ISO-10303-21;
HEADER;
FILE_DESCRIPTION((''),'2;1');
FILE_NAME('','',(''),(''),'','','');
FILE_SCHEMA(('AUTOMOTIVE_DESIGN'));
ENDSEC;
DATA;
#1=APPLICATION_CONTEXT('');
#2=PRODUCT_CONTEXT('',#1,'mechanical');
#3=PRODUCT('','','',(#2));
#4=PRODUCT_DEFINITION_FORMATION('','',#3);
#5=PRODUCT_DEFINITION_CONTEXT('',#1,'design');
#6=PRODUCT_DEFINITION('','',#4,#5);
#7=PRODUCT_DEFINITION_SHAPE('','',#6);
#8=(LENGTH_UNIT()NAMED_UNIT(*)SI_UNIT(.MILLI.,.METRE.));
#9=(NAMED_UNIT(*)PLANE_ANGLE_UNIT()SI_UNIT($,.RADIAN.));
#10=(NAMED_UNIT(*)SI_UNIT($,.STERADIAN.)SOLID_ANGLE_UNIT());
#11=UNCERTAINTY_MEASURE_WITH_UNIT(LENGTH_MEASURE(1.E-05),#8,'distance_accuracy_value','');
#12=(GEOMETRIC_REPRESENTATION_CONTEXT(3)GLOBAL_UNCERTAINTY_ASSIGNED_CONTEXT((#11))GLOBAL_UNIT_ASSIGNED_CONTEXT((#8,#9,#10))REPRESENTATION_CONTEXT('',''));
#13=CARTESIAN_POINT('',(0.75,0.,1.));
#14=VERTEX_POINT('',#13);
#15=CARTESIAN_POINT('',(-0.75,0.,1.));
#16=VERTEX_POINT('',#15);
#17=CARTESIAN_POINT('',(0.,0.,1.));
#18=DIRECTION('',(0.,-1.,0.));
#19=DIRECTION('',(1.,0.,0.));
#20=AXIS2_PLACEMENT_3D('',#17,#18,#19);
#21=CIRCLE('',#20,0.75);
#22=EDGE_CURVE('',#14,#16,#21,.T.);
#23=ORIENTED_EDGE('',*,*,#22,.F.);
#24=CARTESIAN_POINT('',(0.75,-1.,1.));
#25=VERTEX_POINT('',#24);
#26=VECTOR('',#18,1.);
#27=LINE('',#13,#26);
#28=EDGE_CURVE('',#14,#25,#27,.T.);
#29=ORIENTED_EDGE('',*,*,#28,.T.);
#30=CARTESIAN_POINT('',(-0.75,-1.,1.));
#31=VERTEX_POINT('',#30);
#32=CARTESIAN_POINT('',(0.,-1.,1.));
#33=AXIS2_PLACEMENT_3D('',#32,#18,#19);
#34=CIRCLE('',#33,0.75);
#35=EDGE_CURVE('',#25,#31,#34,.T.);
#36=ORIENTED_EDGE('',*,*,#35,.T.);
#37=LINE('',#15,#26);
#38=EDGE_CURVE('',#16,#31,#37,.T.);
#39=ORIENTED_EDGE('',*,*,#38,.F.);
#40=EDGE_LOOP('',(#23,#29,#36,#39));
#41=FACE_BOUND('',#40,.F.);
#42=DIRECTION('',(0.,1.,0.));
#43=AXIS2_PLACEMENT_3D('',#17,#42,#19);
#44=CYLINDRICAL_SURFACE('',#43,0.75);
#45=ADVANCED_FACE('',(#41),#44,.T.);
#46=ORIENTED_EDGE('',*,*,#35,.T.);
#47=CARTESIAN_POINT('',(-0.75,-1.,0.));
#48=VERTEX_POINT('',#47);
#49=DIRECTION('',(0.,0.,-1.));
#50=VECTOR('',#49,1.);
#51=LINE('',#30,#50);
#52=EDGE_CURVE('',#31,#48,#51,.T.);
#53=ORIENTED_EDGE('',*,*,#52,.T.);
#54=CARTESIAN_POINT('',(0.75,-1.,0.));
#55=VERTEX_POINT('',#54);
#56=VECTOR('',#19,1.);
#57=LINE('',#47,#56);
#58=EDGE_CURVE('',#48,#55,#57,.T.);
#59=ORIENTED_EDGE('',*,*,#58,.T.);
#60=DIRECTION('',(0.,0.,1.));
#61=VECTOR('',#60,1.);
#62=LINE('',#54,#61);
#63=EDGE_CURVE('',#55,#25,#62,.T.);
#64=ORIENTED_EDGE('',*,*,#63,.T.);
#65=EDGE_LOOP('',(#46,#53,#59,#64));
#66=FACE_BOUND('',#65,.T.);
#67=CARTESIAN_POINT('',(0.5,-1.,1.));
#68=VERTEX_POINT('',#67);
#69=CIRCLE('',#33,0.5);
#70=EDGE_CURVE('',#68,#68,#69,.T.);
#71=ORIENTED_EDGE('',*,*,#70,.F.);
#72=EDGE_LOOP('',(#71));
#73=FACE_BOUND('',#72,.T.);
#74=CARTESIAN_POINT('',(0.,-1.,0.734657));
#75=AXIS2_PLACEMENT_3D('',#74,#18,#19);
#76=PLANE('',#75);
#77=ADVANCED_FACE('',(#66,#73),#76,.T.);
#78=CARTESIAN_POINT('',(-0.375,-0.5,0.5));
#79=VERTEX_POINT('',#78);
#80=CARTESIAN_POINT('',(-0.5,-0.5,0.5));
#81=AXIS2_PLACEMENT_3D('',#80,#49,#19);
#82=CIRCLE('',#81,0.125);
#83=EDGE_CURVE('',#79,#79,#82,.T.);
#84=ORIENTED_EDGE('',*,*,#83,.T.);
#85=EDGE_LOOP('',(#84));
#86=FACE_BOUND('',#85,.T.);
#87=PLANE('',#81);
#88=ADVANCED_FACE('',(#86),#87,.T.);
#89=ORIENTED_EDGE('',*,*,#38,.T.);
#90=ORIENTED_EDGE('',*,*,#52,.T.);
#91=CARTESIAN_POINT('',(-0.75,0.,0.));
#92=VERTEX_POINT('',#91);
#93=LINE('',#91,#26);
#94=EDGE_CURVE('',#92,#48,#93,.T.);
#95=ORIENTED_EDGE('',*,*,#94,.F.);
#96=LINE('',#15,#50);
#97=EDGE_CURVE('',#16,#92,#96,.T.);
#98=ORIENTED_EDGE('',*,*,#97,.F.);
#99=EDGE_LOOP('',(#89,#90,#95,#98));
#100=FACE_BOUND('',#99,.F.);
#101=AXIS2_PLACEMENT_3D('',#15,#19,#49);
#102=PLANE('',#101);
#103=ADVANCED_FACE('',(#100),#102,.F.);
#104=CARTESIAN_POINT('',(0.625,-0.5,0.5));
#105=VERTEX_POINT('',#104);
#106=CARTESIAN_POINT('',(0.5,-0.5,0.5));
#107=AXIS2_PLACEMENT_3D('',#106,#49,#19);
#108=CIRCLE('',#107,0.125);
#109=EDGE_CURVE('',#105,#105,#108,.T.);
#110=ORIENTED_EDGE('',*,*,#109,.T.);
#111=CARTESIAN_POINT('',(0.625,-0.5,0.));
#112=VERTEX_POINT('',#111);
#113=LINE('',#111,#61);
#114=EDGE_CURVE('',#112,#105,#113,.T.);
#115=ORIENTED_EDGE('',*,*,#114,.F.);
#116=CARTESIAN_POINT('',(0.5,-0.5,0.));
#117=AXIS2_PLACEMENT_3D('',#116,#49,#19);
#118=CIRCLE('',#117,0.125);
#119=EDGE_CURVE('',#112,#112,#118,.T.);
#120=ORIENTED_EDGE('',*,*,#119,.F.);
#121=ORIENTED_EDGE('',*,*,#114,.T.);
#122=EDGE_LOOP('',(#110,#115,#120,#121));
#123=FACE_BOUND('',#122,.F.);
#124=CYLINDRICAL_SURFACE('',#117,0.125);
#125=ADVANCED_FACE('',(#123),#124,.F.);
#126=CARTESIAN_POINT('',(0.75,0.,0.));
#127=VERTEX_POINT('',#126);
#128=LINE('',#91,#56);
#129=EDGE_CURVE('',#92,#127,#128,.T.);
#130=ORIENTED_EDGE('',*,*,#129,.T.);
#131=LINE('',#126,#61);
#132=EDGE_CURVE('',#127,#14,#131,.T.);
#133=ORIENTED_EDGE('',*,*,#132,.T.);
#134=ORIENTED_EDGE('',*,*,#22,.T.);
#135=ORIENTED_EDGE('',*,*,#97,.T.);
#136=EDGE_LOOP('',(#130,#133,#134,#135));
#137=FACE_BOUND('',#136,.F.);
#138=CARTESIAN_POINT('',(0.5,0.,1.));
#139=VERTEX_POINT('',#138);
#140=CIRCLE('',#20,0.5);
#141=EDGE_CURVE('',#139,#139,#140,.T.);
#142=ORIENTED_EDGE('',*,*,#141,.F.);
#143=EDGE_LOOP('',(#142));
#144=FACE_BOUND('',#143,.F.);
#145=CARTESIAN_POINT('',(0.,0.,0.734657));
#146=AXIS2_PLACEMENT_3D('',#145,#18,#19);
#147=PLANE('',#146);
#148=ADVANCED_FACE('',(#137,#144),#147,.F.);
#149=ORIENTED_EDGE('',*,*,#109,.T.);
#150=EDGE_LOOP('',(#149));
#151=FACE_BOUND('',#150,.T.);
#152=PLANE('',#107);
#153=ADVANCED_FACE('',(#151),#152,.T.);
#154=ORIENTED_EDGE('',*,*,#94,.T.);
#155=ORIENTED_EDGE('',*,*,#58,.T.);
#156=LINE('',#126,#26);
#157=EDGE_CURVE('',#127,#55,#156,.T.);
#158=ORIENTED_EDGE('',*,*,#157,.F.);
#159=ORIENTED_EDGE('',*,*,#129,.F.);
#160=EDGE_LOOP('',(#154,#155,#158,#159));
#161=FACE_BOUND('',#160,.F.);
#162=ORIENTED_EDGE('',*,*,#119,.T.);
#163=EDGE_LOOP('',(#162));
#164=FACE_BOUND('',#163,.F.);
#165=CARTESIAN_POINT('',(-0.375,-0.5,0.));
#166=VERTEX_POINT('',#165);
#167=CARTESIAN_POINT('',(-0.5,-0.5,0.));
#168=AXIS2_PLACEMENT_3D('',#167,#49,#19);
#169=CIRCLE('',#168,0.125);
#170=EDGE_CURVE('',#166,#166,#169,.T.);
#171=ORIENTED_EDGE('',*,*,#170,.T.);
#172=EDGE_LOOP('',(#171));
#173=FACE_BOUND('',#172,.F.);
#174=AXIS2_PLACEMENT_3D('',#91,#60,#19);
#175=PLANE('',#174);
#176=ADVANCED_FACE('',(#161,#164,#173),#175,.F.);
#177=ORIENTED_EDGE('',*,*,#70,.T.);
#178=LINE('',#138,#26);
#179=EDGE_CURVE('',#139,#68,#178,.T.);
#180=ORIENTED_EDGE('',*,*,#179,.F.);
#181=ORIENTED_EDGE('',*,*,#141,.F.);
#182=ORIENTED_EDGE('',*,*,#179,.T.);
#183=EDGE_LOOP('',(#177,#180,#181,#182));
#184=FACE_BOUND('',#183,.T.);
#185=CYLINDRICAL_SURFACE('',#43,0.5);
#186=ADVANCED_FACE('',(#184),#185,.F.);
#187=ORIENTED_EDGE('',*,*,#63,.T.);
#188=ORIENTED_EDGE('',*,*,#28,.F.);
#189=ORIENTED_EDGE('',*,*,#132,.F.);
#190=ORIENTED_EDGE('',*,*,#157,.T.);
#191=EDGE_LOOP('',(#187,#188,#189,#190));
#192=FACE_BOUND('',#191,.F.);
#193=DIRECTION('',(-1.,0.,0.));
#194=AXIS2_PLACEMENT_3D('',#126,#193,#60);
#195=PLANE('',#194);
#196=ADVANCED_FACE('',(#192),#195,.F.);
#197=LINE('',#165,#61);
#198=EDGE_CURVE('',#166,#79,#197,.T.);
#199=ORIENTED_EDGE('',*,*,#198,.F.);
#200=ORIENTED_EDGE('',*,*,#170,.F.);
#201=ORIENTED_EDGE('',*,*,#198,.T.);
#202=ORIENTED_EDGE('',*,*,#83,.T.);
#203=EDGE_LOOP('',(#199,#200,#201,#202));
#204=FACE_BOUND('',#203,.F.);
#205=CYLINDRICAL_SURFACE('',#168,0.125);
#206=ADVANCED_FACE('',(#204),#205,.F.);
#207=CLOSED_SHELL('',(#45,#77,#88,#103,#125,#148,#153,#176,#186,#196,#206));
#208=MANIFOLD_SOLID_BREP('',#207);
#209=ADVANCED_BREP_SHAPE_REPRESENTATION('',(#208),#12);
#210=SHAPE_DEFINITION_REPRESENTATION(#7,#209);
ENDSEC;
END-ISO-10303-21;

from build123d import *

# Parameters (mm, degrees)
F0_R     = 0.5
F1_DEPTH = 1
F2_R     = 0.125
F3_DEPTH = 0.5
F4_R     = 0.125
F5_DEPTH = 0.5


with BuildPart() as f1:
    # F0 (on Front) → F1 (new body)
    with BuildSketch(Plane.XZ):
        with BuildLine():
            Line((-0.75, 1), (-0.75, 0))
            Line((-0.75, 0), (0.75, 0))
            Line((0.75, 0), (0.75, 1))
            ThreePointArc((0.75, 1), (0, 1.75), (-0.75, 1))
        make_face()
        with Locations((0, 1)):
            Circle(F0_R, mode=Mode.SUBTRACT)
    extrude(amount=F1_DEPTH)

    # F2 (on face) → F3 (cut)
    with BuildSketch(Plane(origin=(0, 0, 0), x_dir=(1, 0, 0), z_dir=(0, 0, -1))):
        with Locations((-0.5, 0.5)):
            Circle(F2_R)
    extrude(amount=-F3_DEPTH, mode=Mode.SUBTRACT)

    # F4 (on face) → F5 (cut)
    with BuildSketch(Plane(origin=(0, 0, 0), x_dir=(1, 0, 0), z_dir=(0, 0, -1))):
        with Locations((0.5, 0.5)):
            Circle(F4_R)
    extrude(amount=-F5_DEPTH, mode=Mode.SUBTRACT)


solid = f1.part
